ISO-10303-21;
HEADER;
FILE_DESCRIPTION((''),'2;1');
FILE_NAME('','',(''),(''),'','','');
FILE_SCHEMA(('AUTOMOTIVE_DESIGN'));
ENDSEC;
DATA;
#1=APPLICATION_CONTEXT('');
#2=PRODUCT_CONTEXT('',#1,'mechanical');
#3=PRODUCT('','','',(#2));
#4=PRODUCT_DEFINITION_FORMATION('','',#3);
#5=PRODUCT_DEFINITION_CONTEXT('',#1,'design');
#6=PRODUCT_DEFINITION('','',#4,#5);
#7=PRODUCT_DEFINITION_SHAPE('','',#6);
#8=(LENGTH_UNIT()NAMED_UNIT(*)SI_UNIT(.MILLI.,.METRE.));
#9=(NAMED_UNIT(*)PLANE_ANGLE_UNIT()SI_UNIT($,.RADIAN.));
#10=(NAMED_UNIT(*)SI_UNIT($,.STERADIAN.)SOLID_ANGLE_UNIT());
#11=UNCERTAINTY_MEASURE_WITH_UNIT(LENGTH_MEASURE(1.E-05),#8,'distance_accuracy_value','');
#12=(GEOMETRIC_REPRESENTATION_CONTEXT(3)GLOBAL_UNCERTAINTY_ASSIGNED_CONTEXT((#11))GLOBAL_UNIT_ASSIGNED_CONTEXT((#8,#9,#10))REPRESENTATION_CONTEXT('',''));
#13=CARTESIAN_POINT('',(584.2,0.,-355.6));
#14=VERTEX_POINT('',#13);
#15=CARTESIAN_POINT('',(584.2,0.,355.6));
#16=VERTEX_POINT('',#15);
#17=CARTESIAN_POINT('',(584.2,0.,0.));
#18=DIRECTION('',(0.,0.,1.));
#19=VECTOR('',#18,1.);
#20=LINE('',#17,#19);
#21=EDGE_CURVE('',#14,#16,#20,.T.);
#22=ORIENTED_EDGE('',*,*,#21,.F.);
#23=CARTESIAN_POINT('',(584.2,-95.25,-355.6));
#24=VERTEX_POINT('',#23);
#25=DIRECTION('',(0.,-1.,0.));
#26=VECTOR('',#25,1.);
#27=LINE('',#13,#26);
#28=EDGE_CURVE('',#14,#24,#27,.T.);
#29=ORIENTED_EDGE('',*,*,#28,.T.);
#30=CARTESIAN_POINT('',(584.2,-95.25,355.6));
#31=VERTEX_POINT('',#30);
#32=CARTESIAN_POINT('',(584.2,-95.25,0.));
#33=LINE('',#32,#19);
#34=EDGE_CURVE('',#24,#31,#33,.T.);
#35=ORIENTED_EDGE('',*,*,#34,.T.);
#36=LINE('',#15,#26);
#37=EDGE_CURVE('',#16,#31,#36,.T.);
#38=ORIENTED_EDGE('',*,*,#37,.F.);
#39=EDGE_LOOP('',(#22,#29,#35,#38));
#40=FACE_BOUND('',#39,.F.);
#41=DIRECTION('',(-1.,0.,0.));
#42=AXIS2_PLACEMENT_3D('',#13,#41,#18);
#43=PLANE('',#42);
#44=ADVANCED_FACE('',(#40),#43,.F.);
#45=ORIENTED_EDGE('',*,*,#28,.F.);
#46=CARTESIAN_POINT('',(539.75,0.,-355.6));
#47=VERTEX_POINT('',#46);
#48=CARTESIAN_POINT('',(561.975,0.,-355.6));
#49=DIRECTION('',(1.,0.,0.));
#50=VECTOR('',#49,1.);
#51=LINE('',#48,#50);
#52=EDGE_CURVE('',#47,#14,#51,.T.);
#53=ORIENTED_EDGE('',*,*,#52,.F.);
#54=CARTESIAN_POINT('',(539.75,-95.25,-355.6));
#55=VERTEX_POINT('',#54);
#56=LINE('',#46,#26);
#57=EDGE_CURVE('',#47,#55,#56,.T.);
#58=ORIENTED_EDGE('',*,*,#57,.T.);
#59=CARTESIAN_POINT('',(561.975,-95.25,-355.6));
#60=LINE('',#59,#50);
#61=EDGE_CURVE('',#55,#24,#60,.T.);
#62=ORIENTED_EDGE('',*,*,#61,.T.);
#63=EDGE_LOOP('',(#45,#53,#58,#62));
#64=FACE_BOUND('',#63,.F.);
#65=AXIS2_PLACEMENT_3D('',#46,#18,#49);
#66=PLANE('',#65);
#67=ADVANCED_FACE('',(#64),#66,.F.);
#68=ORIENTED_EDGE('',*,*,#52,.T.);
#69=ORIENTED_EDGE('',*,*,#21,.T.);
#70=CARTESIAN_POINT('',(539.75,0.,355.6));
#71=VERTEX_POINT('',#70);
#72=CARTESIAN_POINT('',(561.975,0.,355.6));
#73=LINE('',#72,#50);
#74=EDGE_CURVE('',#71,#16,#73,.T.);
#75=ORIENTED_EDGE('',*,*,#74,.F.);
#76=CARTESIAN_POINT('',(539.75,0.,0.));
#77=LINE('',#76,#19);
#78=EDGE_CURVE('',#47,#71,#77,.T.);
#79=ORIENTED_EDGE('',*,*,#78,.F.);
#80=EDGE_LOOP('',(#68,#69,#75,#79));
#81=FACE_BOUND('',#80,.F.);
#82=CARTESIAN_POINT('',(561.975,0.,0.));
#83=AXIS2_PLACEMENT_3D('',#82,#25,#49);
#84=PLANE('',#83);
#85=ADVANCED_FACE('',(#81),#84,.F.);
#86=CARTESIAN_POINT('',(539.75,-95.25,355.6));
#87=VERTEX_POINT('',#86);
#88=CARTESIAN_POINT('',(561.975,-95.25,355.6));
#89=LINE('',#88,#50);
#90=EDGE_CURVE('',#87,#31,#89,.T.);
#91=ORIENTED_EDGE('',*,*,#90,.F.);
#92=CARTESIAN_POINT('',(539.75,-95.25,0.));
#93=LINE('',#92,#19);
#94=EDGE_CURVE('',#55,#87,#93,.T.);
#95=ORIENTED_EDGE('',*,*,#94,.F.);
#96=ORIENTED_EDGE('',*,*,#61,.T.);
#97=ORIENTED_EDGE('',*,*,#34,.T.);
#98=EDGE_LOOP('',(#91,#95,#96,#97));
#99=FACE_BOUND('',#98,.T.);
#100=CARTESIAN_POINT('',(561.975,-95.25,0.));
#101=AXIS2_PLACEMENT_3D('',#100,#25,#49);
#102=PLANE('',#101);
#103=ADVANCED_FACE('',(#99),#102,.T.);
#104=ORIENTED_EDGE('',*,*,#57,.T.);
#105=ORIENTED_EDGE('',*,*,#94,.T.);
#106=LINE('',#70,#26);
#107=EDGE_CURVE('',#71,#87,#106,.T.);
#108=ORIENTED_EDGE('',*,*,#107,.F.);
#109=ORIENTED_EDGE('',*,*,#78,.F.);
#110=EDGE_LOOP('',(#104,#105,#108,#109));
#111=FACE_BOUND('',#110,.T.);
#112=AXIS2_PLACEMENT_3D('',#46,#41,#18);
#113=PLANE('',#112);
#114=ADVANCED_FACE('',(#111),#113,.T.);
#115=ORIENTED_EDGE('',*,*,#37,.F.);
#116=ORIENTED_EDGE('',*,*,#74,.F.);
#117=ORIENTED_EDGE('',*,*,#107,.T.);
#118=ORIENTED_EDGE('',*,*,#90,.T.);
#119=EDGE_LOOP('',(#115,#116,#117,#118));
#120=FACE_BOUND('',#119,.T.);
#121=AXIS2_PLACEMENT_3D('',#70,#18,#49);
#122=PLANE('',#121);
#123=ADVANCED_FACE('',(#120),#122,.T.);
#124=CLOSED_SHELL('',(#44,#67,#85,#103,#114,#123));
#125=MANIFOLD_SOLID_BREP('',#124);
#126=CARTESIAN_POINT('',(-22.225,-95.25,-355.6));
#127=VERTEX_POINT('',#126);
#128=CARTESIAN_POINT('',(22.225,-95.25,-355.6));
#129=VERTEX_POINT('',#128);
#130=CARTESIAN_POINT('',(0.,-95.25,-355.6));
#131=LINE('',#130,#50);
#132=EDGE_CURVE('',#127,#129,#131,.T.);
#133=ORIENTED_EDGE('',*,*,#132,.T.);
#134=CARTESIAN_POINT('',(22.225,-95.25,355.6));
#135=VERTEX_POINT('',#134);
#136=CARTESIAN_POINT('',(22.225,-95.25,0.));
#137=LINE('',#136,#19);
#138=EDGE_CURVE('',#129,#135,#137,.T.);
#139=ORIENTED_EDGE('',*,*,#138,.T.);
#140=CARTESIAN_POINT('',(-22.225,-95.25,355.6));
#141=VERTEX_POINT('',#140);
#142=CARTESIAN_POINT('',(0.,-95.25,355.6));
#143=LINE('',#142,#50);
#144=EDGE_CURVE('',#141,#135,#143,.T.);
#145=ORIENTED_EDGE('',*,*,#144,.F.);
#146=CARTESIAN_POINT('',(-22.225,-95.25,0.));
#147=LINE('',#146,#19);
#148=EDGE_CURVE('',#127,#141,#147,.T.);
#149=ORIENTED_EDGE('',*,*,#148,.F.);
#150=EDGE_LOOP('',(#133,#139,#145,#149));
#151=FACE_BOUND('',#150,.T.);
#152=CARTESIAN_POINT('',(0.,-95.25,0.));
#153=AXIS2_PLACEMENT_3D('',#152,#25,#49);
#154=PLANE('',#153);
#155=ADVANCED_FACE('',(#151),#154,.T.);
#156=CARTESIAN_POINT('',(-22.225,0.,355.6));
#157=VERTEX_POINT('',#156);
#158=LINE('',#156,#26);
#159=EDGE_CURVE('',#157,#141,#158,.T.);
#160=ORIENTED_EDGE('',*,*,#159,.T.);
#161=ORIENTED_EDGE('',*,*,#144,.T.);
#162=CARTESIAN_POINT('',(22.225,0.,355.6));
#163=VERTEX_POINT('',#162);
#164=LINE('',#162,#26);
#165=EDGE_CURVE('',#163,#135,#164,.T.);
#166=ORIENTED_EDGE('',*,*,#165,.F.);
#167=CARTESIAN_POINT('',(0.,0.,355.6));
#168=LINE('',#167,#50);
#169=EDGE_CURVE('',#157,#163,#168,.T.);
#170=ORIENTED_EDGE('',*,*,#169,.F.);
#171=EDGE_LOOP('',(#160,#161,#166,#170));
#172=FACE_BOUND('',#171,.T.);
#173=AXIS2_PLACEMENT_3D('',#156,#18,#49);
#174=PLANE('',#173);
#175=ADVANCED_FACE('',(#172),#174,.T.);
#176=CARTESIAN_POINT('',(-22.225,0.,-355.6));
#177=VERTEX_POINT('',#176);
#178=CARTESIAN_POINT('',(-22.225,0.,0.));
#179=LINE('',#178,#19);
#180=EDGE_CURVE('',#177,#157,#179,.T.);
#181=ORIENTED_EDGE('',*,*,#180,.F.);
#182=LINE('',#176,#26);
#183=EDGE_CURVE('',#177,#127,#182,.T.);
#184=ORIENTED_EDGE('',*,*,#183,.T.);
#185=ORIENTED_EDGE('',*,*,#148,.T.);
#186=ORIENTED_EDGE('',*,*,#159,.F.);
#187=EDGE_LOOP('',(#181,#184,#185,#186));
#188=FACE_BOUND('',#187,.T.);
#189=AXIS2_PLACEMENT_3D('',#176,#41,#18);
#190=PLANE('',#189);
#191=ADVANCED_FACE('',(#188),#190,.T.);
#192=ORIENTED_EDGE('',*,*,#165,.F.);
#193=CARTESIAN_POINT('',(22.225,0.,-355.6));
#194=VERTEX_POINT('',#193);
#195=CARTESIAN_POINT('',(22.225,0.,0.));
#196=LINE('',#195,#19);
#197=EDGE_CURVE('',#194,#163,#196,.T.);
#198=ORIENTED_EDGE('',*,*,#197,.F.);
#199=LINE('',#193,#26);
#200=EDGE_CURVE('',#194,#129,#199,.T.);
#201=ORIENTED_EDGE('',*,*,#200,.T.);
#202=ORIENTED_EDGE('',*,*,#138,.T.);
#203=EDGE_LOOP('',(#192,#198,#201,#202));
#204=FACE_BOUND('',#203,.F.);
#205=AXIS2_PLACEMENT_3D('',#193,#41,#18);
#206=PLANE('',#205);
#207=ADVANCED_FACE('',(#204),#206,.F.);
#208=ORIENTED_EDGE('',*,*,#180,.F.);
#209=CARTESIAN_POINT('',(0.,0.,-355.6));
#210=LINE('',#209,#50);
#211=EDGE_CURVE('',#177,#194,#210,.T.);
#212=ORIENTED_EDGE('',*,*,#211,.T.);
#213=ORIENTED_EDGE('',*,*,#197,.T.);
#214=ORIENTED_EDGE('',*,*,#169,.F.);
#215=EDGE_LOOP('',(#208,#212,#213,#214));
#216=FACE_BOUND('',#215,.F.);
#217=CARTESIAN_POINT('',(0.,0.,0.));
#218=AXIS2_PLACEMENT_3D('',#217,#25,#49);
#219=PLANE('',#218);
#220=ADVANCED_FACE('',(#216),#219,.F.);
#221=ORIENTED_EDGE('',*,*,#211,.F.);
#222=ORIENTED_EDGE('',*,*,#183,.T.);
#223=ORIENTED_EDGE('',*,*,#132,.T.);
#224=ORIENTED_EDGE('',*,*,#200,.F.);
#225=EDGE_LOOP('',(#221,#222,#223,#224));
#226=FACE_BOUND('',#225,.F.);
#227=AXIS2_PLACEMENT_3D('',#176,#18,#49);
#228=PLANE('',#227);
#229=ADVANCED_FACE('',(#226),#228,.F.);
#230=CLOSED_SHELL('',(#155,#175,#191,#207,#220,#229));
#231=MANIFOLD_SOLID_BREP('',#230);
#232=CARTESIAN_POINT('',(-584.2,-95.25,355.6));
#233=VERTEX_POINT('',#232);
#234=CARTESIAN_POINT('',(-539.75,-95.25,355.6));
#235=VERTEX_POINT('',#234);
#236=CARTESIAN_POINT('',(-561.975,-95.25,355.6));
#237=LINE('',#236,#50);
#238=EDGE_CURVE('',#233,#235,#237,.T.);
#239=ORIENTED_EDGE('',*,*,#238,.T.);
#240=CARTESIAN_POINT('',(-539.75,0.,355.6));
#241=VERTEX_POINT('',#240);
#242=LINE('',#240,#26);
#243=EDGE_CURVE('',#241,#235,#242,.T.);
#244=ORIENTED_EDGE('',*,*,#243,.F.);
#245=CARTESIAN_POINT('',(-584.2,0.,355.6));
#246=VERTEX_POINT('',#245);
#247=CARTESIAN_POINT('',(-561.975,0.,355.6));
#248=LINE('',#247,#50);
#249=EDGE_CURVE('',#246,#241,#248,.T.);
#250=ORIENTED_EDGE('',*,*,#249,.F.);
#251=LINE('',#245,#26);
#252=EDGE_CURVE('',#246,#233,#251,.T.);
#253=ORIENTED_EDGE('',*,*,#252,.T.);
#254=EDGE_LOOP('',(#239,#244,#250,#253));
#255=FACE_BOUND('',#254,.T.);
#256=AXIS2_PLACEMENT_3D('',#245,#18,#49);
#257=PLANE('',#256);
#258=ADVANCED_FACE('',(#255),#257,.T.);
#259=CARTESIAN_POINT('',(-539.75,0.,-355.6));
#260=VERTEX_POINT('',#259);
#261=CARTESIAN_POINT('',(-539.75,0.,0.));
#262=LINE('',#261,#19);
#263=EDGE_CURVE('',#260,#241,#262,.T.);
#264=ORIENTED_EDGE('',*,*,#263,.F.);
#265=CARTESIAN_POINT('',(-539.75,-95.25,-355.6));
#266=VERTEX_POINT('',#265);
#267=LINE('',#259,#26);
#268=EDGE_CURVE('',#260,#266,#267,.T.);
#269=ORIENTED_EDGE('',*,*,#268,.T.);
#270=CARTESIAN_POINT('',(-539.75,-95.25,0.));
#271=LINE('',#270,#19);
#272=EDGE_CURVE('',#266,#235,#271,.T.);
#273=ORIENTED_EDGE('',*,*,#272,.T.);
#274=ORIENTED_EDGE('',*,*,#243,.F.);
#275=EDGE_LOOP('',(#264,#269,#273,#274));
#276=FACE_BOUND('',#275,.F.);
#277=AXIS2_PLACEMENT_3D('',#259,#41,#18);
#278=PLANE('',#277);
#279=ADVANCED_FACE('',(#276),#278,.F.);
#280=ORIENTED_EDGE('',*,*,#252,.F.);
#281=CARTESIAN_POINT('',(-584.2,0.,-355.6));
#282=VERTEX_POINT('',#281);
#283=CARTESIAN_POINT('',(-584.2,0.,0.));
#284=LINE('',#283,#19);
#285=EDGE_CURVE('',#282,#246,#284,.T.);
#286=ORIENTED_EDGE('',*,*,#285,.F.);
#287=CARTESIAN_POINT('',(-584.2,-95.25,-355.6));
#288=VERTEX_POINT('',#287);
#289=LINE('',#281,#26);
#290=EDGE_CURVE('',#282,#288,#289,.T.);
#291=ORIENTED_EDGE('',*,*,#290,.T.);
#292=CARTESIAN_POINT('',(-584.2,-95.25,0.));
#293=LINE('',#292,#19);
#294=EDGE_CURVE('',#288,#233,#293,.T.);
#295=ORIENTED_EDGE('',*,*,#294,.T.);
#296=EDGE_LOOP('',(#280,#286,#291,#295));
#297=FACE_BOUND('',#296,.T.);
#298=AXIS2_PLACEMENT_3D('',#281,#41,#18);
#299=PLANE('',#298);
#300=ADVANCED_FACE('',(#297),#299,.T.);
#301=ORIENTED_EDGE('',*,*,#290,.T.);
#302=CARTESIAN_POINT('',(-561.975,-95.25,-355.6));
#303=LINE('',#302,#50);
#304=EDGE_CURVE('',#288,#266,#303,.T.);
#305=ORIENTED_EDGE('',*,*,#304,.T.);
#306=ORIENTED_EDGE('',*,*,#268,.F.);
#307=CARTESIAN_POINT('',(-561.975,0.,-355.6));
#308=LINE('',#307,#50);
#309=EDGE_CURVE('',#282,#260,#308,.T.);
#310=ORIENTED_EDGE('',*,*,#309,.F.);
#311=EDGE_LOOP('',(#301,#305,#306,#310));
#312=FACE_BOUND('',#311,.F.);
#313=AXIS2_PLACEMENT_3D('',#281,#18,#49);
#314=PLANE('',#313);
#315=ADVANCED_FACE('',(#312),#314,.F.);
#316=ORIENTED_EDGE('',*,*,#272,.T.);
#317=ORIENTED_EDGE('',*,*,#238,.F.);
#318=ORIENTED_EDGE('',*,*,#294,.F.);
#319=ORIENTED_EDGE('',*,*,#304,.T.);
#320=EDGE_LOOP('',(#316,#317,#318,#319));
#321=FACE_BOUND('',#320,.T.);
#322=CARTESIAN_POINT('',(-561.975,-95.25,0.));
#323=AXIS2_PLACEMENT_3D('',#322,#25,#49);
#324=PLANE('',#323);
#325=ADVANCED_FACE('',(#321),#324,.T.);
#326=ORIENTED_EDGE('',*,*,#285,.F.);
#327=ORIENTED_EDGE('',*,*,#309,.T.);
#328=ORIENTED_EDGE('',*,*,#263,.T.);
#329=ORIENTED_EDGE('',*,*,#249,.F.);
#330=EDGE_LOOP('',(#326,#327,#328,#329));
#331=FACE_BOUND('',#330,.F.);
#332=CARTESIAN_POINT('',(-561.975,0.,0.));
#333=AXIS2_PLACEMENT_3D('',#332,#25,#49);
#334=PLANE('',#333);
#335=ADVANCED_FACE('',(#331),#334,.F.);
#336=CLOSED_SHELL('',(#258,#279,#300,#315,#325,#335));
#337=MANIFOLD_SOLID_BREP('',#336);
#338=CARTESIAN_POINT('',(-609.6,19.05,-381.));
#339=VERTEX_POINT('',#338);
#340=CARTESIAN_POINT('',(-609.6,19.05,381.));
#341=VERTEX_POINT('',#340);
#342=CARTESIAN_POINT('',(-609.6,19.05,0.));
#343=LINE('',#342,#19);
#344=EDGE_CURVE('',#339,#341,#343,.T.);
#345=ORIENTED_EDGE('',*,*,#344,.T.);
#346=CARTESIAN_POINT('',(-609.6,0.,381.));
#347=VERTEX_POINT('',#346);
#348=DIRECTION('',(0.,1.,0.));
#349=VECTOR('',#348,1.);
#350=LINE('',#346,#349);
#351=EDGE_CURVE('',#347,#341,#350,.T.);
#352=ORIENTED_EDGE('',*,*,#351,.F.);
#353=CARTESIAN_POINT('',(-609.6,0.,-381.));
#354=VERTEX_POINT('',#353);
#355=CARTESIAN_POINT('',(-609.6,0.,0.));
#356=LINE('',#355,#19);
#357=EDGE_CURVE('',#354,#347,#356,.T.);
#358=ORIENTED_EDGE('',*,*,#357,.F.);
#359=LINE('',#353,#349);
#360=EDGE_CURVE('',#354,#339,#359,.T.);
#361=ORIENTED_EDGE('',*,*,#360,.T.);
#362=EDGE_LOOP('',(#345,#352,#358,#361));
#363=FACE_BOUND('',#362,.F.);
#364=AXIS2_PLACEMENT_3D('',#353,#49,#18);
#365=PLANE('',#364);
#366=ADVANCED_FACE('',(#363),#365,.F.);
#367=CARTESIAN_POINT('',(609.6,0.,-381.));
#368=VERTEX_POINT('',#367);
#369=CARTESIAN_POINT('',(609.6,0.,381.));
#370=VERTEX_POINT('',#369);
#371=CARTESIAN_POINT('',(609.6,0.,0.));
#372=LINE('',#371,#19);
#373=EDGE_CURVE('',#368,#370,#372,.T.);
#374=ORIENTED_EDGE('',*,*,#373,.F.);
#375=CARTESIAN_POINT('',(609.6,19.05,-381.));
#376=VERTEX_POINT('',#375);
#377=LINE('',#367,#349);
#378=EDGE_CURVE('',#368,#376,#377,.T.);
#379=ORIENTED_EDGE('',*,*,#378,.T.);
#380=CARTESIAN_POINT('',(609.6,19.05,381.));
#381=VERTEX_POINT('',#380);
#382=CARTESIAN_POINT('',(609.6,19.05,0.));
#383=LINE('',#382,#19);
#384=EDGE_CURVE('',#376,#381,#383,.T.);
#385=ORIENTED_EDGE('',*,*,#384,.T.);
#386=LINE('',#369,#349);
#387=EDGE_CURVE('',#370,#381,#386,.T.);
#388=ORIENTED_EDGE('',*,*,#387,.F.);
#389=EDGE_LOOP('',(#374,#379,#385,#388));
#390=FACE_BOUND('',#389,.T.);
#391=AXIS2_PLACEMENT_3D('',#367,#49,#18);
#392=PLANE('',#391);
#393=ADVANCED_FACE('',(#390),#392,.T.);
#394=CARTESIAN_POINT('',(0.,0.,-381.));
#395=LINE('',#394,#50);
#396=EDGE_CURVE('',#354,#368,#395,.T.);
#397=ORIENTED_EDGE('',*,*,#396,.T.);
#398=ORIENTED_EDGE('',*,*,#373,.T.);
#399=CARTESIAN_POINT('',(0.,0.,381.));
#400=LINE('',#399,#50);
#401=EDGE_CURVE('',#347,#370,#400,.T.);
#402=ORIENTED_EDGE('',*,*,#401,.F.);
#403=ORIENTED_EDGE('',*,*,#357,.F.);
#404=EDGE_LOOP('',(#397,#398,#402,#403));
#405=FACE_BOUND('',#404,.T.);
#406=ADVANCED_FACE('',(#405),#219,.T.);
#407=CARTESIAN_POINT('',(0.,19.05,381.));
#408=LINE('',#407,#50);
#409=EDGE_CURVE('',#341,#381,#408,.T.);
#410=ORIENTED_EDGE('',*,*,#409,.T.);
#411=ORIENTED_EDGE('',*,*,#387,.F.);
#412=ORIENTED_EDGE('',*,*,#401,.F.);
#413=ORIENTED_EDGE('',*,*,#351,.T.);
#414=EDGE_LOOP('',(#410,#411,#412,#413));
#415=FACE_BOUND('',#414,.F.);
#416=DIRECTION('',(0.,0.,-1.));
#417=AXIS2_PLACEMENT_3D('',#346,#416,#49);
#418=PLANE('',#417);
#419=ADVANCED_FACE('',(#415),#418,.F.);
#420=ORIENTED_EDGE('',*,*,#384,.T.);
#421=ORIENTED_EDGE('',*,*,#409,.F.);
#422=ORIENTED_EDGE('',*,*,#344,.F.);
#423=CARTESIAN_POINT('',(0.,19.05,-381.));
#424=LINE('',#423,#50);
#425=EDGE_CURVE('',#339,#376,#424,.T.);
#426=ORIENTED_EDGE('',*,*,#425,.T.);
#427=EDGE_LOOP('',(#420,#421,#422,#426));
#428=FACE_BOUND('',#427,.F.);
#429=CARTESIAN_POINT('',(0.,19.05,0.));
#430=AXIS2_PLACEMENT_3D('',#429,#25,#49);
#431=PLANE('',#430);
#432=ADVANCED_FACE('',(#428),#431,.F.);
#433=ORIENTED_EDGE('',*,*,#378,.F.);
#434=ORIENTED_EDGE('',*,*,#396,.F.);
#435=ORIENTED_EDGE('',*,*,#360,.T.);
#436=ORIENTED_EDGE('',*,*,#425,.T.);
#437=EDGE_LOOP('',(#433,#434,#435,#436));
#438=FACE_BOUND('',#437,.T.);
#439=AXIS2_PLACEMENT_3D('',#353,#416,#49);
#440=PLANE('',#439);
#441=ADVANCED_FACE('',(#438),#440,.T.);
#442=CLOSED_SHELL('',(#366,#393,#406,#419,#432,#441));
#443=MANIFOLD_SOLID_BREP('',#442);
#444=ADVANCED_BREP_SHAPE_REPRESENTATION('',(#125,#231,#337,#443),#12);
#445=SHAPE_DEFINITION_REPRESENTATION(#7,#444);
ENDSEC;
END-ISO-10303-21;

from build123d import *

# Parameters (mm, degrees)
F0_W     = 44.45
F0_H     = 711.2
F1_DEPTH = 95.25
F0_W_2   = 1219.2
F0_H_2   = 762
F2_DEPTH = 19.05


with BuildPart() as f1:
    # F0 (on Front) → F1 (new body)
    with BuildSketch(Plane.XZ):
        Rectangle(F0_W, F0_H)
        with Locations((-561.975, 0)):
            Rectangle(F0_W, F0_H)
        with Locations((561.975, 0)):
            Rectangle(F0_W, F0_H)
    extrude(amount=F1_DEPTH)


with BuildPart() as f2:
    # F0 (on Front) → F2 (new body)
    with BuildSketch(Plane.XZ):
        Rectangle(F0_W_2, F0_H_2)
        with Locations((-561.975, 0)):
            Rectangle(F0_W, F0_H, mode=Mode.SUBTRACT)
        Rectangle(F0_W, F0_H, mode=Mode.SUBTRACT)
        with Locations((561.975, 0)):
            Rectangle(F0_W, F0_H, mode=Mode.SUBTRACT)
        Rectangle(F0_W, F0_H)
        with Locations((-561.975, 0)):
            Rectangle(F0_W, F0_H)
        with Locations((561.975, 0)):
            Rectangle(F0_W, F0_H)
    extrude(amount=-F2_DEPTH)


solid = Compound([f1.part, f2.part])
